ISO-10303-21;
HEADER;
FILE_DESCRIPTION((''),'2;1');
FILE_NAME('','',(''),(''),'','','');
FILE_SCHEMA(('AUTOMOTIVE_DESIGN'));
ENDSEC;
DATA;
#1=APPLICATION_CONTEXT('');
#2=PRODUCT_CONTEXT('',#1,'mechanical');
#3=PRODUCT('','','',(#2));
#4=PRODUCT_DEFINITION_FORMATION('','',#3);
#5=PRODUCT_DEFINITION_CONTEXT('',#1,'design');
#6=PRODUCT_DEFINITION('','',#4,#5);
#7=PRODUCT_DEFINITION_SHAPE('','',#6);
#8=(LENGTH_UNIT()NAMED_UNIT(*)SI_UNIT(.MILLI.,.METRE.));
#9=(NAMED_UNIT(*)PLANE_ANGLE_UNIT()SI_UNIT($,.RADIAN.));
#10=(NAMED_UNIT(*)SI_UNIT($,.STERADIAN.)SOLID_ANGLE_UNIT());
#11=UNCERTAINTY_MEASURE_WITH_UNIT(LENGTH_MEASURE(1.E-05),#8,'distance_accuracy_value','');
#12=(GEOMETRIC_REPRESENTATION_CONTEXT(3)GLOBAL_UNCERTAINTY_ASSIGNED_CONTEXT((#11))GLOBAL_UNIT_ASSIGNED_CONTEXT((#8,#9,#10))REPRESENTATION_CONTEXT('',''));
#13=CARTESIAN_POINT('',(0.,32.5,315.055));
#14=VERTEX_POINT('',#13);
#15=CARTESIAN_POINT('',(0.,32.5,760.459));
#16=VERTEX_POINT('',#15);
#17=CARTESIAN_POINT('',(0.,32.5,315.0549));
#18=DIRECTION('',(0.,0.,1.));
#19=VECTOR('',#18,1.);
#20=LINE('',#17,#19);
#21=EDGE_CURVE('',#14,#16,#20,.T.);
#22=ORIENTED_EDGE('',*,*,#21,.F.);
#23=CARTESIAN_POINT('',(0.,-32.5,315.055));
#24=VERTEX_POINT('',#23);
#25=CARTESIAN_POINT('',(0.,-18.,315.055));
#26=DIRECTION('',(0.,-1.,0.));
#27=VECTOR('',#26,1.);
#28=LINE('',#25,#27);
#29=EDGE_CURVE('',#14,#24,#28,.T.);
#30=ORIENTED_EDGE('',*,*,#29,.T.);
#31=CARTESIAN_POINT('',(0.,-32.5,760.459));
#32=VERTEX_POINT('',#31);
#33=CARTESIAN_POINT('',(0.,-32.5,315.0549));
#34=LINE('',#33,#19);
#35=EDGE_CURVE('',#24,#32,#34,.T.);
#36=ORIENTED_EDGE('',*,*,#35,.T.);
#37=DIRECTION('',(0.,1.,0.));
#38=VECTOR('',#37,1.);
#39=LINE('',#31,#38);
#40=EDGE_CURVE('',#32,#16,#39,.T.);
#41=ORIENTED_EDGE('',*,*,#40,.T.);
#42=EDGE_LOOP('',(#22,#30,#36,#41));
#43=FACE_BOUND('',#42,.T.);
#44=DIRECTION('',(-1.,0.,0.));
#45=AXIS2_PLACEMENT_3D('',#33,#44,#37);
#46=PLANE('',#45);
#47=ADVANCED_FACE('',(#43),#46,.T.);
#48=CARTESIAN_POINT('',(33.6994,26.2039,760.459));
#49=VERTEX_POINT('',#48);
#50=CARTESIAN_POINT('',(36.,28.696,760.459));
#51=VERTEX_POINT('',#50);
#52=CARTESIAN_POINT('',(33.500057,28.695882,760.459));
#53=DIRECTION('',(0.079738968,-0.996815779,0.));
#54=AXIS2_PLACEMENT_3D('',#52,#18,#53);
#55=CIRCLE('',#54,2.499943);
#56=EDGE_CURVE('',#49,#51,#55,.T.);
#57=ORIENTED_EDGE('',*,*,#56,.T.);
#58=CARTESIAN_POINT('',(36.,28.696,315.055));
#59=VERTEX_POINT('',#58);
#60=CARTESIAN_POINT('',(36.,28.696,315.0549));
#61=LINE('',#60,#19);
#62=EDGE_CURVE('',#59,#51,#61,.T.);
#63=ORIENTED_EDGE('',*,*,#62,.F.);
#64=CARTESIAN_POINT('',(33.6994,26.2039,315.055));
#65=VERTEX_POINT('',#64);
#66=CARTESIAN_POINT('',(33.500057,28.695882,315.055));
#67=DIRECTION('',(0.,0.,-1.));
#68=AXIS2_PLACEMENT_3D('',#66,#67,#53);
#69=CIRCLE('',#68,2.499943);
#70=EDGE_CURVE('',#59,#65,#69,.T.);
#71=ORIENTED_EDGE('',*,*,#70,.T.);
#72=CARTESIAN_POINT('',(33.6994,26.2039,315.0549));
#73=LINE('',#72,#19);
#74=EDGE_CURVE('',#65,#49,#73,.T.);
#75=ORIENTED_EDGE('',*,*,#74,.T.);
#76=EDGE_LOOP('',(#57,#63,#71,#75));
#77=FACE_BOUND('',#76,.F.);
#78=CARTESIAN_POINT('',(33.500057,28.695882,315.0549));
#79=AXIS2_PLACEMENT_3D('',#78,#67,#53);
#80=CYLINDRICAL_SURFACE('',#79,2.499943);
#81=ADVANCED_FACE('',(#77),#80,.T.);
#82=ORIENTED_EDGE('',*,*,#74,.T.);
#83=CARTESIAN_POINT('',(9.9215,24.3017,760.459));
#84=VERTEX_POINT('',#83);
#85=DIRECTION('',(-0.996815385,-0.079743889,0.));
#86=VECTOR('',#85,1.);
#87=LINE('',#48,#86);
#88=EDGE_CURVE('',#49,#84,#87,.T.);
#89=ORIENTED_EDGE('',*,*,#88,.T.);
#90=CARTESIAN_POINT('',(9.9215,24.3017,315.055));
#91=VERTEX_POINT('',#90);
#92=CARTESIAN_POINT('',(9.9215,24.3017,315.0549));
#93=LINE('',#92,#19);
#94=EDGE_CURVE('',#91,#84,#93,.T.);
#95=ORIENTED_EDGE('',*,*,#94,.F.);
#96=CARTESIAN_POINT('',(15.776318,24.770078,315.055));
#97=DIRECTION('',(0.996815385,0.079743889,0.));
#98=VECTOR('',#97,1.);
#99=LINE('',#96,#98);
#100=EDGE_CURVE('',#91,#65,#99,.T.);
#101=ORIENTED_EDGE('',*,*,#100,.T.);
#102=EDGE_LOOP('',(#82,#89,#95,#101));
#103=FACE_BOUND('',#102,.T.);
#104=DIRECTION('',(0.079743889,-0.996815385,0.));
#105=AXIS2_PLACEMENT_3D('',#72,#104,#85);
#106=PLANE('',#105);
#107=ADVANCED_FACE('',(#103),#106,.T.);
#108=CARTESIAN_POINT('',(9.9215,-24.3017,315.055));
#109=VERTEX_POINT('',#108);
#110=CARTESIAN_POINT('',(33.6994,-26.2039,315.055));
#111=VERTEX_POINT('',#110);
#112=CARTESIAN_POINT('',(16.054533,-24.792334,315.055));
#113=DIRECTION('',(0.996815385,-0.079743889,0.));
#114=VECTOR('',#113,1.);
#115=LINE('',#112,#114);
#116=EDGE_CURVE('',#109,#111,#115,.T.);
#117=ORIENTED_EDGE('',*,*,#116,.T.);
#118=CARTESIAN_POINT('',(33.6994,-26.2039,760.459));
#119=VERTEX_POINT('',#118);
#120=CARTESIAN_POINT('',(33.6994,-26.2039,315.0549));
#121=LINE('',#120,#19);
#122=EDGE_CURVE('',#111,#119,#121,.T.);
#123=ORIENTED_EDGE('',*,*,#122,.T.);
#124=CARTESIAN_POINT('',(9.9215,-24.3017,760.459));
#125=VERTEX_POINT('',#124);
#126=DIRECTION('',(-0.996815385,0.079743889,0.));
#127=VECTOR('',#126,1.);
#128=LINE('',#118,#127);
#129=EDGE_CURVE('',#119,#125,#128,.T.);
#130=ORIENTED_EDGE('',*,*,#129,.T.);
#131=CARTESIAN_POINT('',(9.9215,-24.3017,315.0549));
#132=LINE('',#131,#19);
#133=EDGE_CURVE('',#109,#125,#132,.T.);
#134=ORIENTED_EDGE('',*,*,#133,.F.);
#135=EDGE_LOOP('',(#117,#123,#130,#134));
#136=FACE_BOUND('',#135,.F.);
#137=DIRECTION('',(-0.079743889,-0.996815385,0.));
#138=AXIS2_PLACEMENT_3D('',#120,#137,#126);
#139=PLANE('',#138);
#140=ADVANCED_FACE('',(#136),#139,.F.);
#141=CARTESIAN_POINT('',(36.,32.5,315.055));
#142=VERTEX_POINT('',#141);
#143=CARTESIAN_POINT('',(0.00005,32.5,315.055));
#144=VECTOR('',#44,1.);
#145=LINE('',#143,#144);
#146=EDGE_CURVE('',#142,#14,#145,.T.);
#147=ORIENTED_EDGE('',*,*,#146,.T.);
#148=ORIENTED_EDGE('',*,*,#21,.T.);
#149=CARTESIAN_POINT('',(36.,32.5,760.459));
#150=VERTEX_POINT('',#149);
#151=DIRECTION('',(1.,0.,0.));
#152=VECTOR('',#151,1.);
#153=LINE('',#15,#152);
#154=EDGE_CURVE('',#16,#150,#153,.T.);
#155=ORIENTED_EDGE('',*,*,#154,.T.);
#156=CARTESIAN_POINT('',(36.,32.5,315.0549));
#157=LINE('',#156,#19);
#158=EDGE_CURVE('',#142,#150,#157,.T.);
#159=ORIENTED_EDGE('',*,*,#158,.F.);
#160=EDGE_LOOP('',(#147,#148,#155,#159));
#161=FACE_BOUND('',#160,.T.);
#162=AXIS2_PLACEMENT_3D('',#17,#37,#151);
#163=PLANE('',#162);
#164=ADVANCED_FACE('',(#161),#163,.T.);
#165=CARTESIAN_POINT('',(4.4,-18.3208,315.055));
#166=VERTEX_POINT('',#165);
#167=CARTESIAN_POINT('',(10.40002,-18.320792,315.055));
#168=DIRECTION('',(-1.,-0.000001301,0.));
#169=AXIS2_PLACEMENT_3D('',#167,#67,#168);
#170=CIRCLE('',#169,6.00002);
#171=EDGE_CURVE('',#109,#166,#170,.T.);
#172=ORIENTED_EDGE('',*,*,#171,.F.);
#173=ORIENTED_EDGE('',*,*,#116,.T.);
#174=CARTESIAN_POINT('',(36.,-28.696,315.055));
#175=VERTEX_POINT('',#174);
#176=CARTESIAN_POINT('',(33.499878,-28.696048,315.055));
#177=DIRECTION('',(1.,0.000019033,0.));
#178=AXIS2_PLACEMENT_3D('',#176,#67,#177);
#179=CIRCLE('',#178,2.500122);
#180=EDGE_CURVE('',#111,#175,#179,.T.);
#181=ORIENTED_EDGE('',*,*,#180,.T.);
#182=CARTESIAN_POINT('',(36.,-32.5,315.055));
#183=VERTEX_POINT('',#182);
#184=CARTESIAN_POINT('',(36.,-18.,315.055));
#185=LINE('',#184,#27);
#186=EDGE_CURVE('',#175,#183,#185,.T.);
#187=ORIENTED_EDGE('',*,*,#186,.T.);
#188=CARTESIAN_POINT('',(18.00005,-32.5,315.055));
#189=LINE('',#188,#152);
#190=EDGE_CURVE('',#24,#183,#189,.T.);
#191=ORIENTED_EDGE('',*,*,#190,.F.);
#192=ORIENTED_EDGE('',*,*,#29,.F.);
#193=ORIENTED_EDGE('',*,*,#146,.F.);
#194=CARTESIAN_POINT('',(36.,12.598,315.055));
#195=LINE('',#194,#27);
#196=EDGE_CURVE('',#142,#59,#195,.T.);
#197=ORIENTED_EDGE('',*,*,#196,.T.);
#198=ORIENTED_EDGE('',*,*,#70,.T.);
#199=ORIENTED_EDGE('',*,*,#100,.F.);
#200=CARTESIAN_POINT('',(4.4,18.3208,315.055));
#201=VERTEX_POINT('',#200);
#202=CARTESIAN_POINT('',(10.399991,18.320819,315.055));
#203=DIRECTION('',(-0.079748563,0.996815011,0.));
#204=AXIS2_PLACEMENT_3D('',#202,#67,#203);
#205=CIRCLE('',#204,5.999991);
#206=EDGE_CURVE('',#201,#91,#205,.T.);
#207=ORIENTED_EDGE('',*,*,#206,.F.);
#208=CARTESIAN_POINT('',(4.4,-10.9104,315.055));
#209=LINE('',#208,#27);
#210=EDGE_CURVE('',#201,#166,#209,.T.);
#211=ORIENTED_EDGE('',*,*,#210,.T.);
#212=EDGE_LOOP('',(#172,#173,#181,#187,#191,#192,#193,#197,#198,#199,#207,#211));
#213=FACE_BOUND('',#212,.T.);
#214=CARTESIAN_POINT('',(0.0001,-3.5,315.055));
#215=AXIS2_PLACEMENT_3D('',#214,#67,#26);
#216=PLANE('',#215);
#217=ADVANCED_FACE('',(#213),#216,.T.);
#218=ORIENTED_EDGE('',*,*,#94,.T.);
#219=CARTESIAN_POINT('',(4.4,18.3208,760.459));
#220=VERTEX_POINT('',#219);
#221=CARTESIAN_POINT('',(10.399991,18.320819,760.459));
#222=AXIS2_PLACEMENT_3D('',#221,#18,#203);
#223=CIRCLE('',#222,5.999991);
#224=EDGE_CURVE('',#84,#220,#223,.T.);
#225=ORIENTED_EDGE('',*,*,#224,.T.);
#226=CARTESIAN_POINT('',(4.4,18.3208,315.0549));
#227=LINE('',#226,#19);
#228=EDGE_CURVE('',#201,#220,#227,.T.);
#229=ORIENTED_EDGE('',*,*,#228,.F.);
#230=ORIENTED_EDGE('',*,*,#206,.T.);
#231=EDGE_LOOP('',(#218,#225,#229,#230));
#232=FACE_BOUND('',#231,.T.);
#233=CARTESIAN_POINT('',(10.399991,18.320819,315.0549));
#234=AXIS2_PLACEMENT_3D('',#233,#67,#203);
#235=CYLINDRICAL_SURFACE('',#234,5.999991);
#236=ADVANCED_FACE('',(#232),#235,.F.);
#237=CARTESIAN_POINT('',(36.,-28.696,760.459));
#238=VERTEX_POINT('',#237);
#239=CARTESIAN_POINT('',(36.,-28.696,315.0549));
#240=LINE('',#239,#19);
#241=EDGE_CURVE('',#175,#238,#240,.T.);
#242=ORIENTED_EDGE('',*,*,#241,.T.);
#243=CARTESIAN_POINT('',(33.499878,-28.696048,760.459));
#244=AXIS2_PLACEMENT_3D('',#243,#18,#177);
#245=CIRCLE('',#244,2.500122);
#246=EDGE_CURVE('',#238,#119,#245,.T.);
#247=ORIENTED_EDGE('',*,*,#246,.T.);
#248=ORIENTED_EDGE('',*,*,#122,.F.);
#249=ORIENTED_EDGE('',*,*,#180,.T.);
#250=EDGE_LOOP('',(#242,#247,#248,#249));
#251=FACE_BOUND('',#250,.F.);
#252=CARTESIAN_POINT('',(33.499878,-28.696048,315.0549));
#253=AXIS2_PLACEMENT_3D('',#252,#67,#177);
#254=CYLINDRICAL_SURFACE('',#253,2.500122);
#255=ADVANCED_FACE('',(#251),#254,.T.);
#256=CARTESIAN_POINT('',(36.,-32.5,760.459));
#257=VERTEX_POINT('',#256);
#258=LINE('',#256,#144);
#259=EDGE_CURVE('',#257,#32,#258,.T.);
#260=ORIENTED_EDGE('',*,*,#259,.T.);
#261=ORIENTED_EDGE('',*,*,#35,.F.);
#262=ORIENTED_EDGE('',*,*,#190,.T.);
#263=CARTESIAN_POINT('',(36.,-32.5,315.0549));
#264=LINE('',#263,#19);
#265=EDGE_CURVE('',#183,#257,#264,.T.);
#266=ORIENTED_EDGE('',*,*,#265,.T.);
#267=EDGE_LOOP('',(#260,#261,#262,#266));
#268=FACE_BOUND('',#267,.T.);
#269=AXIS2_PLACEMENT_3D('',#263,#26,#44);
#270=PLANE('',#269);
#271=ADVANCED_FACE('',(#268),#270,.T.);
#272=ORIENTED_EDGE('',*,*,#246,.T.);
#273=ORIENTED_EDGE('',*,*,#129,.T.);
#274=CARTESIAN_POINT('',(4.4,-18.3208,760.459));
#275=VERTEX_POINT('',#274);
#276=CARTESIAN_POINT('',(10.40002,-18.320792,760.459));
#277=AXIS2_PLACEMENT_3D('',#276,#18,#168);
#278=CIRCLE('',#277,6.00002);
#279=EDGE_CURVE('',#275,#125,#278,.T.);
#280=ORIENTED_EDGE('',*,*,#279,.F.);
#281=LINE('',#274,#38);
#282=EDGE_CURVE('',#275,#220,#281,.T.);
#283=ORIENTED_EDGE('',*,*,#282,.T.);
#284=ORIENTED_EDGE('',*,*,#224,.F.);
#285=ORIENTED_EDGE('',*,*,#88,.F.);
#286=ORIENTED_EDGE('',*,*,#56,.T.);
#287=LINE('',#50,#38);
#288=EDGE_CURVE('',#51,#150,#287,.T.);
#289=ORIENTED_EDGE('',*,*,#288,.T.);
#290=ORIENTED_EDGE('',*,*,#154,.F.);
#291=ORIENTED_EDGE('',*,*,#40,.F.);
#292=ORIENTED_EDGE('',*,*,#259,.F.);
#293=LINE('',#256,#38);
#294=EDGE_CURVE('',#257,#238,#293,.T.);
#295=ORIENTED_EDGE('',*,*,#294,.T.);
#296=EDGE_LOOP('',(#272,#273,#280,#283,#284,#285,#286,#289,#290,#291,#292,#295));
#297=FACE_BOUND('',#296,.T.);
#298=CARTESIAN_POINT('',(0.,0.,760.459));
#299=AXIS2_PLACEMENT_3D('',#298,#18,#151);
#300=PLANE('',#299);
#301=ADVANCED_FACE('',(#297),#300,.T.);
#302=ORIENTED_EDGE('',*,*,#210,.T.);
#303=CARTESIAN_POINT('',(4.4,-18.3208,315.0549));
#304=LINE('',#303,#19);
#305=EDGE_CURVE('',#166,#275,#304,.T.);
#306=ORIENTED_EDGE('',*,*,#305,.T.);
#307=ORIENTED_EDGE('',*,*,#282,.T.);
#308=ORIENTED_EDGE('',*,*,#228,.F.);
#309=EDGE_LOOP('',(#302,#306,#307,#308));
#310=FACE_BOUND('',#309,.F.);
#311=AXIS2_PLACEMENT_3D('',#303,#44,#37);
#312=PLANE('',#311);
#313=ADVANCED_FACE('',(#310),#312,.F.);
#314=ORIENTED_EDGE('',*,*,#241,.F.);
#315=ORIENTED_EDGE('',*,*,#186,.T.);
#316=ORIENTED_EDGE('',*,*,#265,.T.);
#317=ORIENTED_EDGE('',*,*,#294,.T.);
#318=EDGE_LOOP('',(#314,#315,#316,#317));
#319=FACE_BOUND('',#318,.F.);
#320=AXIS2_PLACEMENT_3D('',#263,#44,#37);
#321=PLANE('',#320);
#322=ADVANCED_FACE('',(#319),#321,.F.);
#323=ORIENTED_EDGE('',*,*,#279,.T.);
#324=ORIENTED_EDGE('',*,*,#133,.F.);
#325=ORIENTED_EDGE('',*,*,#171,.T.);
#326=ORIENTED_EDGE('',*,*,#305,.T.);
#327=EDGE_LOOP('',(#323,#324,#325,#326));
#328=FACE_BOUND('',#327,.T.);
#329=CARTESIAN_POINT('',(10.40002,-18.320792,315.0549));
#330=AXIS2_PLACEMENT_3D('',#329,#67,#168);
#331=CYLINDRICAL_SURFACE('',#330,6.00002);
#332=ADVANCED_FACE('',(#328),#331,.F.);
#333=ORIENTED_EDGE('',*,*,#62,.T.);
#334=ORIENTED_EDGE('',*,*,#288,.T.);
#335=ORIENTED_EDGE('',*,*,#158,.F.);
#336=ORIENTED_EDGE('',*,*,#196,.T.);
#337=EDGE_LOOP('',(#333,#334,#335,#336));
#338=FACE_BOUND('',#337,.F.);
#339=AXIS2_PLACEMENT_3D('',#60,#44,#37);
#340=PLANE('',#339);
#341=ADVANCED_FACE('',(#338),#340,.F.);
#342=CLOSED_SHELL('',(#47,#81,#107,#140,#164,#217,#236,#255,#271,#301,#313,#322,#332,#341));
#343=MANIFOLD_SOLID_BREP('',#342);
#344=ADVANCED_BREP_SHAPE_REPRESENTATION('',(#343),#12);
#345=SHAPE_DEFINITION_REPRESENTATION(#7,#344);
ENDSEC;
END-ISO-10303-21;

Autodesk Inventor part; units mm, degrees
ref_plane "Начальная плоскость" through (0, 0, 315.0549) normal (0, 0, 1) x (1, 0, 0)
ref_plane "Конечная плоскость" through (0, 0, 760.459) normal (0, 0, 1) x (1, 0, 0)
sketch "Эскиз" plane through (0, 0, 0) normal (0, 0, 1) x (1, 0, 0)
  line L0 (36, -32.5) -> (0, -32.5)
  line L1 (36, -32.5) -> (36, -28.696)
  line L2 (33.6994, -26.2039) -> (9.9215, -24.3017)
  line L3 (4.4, -18.3208) -> (4.4, 18.3208)
  line L4 (33.6994, 26.2039) -> (9.9215, 24.3017)
  line L5 (36, 28.696) -> (36, 32.5)
  line L6 (0, 32.5) -> (36, 32.5)
  line L7 (0, -32.5) -> (0, 32.5)
  arc A0 (4.4, -18.3208) -> (9.9215, -24.3017) centre (10.4, -18.3208) ccw
  arc A1 (9.9215, 24.3017) -> (4.4, 18.3208) centre (10.4, 18.3208) ccw
  arc A2 (36, -28.696) -> (33.6994, -26.2039) centre (33.5, -28.696) ccw
  arc A3 (33.6994, 26.2039) -> (36, 28.696) centre (33.5, 28.696) ccw
  line L8 (0, 45.5) -> (0, -45.5) construction
  line L9 (-7.2974, 0) -> (43.7847, 0) construction
  point P0 (36, -26.388)
  point P1 (4.4, -23.86)
  point P2 (4.4, 23.86)
  point P3 (36, 26.388)
  dimension "d3" = 36
  dimension "d5" = 4.4
  dimension "d7" = 65
  dimension "d9" = 8.64
  dimension "d11" = 8.64
  dimension "d13" = 6.112
  dimension "d15" = 6.112
  dimension "d22" = 6
  dimension "d23" = 2.5
  dimension "d24" = 32.5
  dimension "d25" = 0
extrude "Тело" add sketch "Эскиз" along normal up to surface (445.4041 mm away) from surface at 315.0549
sketch "Sketch3" plane through (0, 0, 0) normal (0, 0, 1) x (1, 0, 0)
  line L0 (0, 0) -> (10, 0)
ref_plane "Work Plane7" through (0, 0, 0) normal (0, -1, 0) x (1, 0, 0)
sketch "Sketch4" plane through (0, 0, 0) normal (0, -1, 0) x (1, 0, 0)
  line L0 (-2, 315.0549) -> (12, 315.0549)
  line L1 (-2, 760.459) -> (12, 760.459)
  dimension "d29" = 445.4041
ref_plane "РабПлоскость8" through (0.0001, -3.5, 315.055) normal (0, 0, -1) x (-1, 0, 0)
split "Разделение1" plane through (0.0001, -3.5, 315.055) removes the side toward (0, 0, -1)
ref_plane "РабПлоскость9" through (3.804, 32.5, 760.459) normal (0, 0, 1) x (1, 0, 0)
split "Разделение2" plane through (3.804, 32.5, 760.459) removes the side toward (0, 0, 1)
equation "\"d3\" = b"
equation "\"d5\" = t1"
equation "\"d7\" = ParH"
equation "\"d9\" = msp_x1 + t2"
equation "\"d11\" = msp_x1 + t2"
equation "\"d13\" = -msp_x2 + t2"
equation "\"d15\" = -msp_x2 + t2"
equation "\"d22\" = R"
equation "\"d23\" = R1"
equation "\"d24\" = 0.5 * d7"
equation "\"d16\" = G_L"
equation "\"R1\" = 2.5"
equation "\"R\" = 6"
equation "\"t1\" = 4.4"
equation "\"t2\" = 7.2"
equation "\"ParH\" = 65"
equation "\"b\" = 36"
equation "\"msp_x1\" = 0.04 * b"
equation "\"msp_x2\" = -0.08 * t1 + 0.04 * b"
equation "\"G_L\" = d29"
equation "\"ex\" = 0"
equation "\"G_OFFSET_START\" = -315.0549"
equation "\"G_OFFSET_END\" = -36"
equation "\"d26\" = -G_OFFSET_START"
equation "\"d27\" = G_OFFSET_END + B_L"
equation "\"B_L\" = 796.459"
properties part number "Швеллер 6.5U-445,4 ГОСТ 8240-97" material "Сталь, мягкая"
